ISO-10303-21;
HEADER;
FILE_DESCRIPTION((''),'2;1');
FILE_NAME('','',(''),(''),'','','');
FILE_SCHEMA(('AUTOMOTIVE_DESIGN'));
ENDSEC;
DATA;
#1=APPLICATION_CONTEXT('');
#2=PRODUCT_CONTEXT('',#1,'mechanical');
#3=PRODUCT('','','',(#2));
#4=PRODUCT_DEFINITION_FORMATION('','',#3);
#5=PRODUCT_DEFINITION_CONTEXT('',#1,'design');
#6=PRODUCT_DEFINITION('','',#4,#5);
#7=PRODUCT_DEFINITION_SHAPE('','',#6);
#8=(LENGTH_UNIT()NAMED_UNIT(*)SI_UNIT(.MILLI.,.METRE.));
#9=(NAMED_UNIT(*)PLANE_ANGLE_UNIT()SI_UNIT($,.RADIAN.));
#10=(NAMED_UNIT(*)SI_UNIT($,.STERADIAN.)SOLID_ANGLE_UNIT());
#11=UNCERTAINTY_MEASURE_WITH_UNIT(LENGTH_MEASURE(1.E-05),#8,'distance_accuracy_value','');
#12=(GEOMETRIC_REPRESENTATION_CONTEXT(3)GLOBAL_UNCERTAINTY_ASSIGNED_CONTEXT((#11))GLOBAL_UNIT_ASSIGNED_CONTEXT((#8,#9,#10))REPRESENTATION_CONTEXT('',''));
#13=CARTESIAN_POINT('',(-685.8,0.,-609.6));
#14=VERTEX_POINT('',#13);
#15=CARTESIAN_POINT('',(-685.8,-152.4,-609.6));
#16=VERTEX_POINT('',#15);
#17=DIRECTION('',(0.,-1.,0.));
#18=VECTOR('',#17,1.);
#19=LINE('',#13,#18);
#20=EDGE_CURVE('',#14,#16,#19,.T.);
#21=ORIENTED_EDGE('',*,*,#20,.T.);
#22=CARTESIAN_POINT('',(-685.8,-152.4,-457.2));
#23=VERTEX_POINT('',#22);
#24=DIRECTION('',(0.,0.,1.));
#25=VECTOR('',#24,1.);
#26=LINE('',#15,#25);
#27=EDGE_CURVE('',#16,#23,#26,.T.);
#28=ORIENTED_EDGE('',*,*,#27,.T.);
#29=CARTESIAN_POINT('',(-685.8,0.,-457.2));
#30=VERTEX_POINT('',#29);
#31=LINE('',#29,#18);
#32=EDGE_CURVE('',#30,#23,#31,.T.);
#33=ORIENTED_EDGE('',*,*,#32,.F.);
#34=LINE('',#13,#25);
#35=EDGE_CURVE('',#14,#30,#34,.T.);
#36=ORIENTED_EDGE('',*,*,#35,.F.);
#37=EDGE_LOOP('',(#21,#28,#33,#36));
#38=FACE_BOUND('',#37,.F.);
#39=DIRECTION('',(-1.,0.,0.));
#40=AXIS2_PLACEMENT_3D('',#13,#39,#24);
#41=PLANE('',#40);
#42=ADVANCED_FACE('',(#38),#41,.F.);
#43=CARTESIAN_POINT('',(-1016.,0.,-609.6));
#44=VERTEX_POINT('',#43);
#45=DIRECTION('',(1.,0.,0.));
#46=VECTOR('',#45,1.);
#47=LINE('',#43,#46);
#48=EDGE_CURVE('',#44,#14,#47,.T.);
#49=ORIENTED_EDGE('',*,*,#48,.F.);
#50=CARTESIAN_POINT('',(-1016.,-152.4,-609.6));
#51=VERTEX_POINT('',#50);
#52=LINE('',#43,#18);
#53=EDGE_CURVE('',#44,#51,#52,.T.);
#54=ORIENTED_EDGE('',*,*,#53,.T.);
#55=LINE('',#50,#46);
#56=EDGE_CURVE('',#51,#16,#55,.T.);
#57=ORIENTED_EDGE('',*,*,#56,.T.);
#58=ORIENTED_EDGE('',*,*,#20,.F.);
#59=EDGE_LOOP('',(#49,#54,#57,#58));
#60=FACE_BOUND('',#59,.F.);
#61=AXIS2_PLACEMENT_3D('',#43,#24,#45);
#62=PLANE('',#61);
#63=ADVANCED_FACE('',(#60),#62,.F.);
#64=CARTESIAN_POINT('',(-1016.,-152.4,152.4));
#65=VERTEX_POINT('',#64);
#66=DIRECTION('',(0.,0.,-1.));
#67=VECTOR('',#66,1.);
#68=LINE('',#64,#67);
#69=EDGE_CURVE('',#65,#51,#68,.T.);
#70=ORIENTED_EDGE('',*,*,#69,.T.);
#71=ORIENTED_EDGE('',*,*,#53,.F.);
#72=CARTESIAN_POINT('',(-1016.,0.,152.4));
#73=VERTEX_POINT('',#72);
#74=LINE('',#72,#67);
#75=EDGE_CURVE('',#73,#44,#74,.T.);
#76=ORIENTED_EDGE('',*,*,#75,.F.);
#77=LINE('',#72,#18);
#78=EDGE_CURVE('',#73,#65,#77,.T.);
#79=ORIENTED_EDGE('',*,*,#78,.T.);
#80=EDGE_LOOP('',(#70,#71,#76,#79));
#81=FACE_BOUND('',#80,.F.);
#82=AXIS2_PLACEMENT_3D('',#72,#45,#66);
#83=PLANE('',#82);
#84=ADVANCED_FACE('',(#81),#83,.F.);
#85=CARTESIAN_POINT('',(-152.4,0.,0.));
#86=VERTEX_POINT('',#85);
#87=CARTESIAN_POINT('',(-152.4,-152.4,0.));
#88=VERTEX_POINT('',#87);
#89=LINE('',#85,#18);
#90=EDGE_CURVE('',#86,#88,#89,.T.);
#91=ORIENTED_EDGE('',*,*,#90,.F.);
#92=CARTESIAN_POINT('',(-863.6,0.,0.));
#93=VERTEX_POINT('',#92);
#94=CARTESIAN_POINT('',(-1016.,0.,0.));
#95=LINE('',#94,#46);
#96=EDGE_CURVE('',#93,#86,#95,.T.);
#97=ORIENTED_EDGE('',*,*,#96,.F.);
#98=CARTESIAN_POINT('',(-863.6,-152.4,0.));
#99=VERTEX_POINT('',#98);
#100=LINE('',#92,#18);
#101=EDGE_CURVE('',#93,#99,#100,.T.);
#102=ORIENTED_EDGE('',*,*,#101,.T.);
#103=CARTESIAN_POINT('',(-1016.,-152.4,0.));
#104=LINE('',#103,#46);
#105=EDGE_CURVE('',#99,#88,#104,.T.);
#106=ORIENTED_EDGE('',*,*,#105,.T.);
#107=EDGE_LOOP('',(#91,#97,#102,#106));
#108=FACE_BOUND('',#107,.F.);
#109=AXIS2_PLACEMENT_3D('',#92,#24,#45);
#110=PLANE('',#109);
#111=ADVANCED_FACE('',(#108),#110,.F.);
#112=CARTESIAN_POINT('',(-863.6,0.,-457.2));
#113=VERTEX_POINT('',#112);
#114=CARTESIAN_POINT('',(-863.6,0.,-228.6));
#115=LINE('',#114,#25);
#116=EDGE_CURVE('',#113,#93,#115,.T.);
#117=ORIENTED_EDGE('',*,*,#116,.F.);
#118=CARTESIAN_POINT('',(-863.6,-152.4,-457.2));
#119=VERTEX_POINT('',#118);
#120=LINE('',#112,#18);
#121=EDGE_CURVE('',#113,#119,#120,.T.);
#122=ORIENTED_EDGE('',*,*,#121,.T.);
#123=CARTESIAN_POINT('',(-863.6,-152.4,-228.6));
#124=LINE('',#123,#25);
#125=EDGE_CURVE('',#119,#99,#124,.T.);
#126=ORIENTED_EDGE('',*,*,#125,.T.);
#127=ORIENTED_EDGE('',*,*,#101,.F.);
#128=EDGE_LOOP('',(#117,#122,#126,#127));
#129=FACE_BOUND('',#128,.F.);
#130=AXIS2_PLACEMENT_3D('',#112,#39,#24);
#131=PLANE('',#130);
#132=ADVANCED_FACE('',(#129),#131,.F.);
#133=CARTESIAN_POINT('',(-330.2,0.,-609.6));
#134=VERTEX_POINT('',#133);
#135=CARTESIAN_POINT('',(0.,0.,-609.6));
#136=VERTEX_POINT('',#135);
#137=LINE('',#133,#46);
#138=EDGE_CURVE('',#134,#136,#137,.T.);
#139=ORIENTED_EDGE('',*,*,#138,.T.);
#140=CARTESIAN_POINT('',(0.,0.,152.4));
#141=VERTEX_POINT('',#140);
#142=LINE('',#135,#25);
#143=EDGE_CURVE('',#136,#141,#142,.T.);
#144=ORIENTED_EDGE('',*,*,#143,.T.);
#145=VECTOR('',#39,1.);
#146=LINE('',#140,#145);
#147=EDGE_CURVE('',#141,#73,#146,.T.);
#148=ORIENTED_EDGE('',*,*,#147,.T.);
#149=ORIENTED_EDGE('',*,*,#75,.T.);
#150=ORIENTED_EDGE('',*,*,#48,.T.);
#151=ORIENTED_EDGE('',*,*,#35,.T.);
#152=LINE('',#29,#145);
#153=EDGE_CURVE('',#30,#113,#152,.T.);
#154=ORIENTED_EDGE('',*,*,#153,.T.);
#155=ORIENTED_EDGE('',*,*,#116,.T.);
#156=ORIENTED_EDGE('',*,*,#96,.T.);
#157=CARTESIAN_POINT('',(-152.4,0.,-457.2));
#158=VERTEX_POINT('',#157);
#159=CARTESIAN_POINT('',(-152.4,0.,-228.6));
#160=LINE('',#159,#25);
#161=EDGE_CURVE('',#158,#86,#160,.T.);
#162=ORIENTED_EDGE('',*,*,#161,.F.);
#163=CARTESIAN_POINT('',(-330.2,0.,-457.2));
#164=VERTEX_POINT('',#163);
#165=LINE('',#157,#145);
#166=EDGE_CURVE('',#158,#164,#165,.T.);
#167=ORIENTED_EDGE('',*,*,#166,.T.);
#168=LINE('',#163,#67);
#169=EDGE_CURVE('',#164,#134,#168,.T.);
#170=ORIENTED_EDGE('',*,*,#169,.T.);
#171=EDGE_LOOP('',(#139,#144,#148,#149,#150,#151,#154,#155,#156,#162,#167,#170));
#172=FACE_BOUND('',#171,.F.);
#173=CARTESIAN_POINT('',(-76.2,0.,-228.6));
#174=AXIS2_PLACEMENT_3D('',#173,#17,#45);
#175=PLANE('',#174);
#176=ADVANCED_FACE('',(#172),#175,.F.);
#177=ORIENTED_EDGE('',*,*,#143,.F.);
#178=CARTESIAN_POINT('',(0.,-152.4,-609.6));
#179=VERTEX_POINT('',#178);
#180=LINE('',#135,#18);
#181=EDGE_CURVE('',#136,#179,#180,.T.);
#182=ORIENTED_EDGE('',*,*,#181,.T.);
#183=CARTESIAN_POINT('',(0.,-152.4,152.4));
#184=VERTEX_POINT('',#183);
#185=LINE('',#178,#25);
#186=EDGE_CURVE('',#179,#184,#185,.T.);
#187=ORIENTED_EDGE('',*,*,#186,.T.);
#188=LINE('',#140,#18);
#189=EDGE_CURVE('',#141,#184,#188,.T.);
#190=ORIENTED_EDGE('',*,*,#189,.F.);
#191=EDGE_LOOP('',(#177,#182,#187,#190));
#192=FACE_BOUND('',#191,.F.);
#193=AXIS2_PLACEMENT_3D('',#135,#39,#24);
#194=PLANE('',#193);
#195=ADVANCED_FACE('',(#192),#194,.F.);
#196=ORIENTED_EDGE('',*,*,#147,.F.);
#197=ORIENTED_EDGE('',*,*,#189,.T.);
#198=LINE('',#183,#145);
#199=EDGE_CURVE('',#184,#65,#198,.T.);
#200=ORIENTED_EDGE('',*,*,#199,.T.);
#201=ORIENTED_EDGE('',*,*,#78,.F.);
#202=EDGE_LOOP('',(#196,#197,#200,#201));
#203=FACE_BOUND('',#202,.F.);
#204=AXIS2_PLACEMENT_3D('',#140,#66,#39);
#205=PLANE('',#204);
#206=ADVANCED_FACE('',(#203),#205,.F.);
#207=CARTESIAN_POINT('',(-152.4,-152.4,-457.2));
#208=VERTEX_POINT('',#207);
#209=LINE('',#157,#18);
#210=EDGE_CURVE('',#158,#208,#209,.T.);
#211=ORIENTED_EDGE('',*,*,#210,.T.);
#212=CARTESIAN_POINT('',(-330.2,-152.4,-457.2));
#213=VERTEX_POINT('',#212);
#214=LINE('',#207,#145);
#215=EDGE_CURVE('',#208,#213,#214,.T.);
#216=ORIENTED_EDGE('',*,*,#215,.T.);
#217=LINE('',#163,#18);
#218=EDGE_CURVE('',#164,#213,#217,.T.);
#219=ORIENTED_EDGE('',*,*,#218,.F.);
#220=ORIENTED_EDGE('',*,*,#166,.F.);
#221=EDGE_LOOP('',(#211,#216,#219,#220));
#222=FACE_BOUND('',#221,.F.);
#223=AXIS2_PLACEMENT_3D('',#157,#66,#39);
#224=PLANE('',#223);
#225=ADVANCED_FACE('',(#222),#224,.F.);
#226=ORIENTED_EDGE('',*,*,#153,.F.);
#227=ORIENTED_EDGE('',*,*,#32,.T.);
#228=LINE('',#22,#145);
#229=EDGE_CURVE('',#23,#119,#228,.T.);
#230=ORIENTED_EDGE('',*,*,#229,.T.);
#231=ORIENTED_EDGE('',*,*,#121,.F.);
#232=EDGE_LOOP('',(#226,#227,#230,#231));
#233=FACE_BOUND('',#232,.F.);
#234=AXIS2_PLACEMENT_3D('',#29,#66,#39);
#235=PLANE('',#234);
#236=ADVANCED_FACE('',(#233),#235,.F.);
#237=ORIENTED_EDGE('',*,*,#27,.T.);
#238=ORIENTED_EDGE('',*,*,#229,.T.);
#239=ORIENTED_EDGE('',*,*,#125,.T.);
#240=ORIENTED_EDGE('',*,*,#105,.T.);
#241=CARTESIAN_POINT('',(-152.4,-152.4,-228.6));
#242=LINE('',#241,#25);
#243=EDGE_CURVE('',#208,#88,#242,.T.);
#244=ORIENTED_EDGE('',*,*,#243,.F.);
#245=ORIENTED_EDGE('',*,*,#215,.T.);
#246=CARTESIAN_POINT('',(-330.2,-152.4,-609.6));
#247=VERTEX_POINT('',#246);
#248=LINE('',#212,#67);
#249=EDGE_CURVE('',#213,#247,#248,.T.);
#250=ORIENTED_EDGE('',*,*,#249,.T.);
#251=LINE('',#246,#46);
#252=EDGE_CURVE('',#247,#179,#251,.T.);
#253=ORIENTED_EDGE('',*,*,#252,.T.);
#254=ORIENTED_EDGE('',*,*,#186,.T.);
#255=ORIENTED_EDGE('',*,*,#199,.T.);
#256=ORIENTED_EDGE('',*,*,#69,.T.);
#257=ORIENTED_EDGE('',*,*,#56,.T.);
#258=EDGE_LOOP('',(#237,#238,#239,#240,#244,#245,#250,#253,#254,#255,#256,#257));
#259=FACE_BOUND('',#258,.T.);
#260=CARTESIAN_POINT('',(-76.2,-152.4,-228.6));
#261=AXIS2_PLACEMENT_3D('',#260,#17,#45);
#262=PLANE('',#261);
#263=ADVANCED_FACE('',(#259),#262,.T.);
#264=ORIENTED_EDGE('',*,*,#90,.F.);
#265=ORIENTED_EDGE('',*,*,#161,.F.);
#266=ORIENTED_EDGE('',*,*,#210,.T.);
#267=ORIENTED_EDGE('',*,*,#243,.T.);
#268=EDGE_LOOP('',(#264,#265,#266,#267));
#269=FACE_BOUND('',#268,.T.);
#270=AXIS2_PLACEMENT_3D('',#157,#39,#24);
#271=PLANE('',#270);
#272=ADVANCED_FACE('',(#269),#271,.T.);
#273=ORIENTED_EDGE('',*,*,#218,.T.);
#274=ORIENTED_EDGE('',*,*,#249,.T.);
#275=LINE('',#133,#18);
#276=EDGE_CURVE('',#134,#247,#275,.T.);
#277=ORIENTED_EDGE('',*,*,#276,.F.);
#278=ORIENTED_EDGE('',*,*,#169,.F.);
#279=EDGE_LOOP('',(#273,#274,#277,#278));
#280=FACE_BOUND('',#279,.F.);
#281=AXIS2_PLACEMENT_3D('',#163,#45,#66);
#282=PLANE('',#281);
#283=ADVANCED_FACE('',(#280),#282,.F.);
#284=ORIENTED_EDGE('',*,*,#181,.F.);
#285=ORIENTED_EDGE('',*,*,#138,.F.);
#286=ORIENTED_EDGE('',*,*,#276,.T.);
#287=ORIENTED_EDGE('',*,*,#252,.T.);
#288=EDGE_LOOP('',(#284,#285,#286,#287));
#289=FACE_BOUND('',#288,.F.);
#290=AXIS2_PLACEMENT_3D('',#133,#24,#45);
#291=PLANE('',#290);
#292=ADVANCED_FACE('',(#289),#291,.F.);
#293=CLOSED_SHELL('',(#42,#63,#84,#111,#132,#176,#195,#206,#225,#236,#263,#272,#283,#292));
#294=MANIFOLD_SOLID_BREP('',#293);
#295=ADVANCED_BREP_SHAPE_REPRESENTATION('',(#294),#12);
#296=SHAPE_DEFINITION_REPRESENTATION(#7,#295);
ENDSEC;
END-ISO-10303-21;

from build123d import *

# Parameters (mm, degrees)
F0_W     = 152.4
F0_H     = 457.2
F1_DEPTH = 152.4


with BuildPart() as f1:
    # F0 (on Front) → F1 (new body)
    with BuildSketch(Plane.XZ):
        with Locations((-76.2, -228.6)):
            Rectangle(F0_W, F0_H)
        Polygon((-152.4, 0), (0, 0), (0, 152.4), (-1016, 152.4), (-1016, 0), (-863.6, 0), align=None)
        Polygon((0, -609.6), (0, -457.2), (-152.4, -457.2), (-330.2, -457.2), (-330.2, -609.6), align=None)
        with Locations((-939.8, -228.6)):
            Rectangle(F0_W, F0_H)
        Polygon((-685.8, -457.2), (-863.6, -457.2), (-1016, -457.2), (-1016, -609.6), (-685.8, -609.6), align=None)
    extrude(amount=F1_DEPTH)


solid = f1.part
